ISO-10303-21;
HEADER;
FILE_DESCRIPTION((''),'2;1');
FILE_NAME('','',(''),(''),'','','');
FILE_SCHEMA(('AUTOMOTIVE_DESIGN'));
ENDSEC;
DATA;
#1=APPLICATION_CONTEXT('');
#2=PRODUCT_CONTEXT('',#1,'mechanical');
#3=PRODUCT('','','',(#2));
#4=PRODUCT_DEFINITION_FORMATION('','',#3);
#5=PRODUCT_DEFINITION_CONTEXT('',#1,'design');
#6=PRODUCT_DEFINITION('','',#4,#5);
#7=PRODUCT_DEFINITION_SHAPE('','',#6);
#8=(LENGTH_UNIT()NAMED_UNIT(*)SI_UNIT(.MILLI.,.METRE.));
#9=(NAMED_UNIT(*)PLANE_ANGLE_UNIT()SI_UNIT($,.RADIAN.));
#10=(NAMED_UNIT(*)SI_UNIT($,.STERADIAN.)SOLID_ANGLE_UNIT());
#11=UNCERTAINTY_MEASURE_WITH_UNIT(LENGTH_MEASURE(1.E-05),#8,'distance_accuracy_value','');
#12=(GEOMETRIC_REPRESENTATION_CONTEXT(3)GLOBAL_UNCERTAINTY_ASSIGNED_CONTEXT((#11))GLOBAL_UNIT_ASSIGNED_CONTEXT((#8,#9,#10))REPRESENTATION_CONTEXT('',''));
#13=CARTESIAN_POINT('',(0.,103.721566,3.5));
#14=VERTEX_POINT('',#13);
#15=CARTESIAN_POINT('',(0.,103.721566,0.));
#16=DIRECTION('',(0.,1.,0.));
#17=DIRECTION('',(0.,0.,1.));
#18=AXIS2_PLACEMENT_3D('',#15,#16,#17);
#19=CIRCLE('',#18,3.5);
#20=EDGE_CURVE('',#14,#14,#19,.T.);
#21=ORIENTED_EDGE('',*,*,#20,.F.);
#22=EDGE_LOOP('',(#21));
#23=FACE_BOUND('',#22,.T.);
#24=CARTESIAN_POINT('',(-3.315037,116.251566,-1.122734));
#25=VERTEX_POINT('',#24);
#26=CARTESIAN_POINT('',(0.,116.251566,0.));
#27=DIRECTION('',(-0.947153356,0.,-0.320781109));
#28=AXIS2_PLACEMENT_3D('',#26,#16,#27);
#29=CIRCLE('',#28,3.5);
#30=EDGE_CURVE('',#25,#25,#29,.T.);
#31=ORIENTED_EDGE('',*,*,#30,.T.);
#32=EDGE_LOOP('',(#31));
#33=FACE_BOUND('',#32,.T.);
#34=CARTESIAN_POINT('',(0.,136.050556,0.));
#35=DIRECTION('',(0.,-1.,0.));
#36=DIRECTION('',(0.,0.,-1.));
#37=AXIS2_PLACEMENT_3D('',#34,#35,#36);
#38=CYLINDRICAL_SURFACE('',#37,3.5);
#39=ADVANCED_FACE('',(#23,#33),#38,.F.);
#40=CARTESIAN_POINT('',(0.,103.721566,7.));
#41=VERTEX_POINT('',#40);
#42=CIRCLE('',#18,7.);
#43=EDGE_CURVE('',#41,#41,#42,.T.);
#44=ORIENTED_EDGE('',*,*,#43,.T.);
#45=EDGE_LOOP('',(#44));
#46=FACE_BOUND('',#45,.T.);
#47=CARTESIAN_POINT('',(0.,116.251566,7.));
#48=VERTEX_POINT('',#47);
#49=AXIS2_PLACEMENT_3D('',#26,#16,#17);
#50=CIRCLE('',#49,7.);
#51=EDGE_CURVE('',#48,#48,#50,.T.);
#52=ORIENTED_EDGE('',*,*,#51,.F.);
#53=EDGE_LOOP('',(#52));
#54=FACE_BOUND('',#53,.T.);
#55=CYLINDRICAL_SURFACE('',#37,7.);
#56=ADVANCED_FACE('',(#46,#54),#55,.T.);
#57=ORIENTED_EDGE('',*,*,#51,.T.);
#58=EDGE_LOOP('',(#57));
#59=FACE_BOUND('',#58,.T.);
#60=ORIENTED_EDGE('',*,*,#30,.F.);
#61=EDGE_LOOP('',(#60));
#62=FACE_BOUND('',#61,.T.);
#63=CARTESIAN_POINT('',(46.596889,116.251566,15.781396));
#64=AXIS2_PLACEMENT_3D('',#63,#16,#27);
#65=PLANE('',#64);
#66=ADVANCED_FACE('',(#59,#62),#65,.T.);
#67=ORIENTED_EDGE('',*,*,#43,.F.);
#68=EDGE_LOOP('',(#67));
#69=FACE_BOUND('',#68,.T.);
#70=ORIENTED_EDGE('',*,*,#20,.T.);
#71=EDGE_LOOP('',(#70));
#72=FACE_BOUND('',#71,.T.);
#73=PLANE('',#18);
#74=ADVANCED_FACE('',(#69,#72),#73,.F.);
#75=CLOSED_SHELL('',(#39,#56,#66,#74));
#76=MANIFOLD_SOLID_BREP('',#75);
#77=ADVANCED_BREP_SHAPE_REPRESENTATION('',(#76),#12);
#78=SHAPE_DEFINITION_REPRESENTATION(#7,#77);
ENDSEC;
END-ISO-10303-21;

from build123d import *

# Parameters (mm, degrees)
EXTRUDE_START   = 103.721566
SKETCH_1_R      = 7
SKETCH_1_R_2    = 3.5
EXTRUDE_1_DEPTH = 12.530000014


with BuildPart() as part:
    # Эскиз1 → Вытянуть1 (new body)
    with BuildSketch(Plane(origin=(0, 0, 0), x_dir=(1, 0, 0), z_dir=(0, 1, 0)).offset(EXTRUDE_START)):
        with Locations(Location((0, 0, 0), (0, 0, 270))):
            Circle(SKETCH_1_R)
        with Locations(Location((0, 0, 0), (0, 0, 161.289830395))):
            Circle(SKETCH_1_R_2, mode=Mode.SUBTRACT)
    extrude(amount=EXTRUDE_1_DEPTH)


solid = part.part
